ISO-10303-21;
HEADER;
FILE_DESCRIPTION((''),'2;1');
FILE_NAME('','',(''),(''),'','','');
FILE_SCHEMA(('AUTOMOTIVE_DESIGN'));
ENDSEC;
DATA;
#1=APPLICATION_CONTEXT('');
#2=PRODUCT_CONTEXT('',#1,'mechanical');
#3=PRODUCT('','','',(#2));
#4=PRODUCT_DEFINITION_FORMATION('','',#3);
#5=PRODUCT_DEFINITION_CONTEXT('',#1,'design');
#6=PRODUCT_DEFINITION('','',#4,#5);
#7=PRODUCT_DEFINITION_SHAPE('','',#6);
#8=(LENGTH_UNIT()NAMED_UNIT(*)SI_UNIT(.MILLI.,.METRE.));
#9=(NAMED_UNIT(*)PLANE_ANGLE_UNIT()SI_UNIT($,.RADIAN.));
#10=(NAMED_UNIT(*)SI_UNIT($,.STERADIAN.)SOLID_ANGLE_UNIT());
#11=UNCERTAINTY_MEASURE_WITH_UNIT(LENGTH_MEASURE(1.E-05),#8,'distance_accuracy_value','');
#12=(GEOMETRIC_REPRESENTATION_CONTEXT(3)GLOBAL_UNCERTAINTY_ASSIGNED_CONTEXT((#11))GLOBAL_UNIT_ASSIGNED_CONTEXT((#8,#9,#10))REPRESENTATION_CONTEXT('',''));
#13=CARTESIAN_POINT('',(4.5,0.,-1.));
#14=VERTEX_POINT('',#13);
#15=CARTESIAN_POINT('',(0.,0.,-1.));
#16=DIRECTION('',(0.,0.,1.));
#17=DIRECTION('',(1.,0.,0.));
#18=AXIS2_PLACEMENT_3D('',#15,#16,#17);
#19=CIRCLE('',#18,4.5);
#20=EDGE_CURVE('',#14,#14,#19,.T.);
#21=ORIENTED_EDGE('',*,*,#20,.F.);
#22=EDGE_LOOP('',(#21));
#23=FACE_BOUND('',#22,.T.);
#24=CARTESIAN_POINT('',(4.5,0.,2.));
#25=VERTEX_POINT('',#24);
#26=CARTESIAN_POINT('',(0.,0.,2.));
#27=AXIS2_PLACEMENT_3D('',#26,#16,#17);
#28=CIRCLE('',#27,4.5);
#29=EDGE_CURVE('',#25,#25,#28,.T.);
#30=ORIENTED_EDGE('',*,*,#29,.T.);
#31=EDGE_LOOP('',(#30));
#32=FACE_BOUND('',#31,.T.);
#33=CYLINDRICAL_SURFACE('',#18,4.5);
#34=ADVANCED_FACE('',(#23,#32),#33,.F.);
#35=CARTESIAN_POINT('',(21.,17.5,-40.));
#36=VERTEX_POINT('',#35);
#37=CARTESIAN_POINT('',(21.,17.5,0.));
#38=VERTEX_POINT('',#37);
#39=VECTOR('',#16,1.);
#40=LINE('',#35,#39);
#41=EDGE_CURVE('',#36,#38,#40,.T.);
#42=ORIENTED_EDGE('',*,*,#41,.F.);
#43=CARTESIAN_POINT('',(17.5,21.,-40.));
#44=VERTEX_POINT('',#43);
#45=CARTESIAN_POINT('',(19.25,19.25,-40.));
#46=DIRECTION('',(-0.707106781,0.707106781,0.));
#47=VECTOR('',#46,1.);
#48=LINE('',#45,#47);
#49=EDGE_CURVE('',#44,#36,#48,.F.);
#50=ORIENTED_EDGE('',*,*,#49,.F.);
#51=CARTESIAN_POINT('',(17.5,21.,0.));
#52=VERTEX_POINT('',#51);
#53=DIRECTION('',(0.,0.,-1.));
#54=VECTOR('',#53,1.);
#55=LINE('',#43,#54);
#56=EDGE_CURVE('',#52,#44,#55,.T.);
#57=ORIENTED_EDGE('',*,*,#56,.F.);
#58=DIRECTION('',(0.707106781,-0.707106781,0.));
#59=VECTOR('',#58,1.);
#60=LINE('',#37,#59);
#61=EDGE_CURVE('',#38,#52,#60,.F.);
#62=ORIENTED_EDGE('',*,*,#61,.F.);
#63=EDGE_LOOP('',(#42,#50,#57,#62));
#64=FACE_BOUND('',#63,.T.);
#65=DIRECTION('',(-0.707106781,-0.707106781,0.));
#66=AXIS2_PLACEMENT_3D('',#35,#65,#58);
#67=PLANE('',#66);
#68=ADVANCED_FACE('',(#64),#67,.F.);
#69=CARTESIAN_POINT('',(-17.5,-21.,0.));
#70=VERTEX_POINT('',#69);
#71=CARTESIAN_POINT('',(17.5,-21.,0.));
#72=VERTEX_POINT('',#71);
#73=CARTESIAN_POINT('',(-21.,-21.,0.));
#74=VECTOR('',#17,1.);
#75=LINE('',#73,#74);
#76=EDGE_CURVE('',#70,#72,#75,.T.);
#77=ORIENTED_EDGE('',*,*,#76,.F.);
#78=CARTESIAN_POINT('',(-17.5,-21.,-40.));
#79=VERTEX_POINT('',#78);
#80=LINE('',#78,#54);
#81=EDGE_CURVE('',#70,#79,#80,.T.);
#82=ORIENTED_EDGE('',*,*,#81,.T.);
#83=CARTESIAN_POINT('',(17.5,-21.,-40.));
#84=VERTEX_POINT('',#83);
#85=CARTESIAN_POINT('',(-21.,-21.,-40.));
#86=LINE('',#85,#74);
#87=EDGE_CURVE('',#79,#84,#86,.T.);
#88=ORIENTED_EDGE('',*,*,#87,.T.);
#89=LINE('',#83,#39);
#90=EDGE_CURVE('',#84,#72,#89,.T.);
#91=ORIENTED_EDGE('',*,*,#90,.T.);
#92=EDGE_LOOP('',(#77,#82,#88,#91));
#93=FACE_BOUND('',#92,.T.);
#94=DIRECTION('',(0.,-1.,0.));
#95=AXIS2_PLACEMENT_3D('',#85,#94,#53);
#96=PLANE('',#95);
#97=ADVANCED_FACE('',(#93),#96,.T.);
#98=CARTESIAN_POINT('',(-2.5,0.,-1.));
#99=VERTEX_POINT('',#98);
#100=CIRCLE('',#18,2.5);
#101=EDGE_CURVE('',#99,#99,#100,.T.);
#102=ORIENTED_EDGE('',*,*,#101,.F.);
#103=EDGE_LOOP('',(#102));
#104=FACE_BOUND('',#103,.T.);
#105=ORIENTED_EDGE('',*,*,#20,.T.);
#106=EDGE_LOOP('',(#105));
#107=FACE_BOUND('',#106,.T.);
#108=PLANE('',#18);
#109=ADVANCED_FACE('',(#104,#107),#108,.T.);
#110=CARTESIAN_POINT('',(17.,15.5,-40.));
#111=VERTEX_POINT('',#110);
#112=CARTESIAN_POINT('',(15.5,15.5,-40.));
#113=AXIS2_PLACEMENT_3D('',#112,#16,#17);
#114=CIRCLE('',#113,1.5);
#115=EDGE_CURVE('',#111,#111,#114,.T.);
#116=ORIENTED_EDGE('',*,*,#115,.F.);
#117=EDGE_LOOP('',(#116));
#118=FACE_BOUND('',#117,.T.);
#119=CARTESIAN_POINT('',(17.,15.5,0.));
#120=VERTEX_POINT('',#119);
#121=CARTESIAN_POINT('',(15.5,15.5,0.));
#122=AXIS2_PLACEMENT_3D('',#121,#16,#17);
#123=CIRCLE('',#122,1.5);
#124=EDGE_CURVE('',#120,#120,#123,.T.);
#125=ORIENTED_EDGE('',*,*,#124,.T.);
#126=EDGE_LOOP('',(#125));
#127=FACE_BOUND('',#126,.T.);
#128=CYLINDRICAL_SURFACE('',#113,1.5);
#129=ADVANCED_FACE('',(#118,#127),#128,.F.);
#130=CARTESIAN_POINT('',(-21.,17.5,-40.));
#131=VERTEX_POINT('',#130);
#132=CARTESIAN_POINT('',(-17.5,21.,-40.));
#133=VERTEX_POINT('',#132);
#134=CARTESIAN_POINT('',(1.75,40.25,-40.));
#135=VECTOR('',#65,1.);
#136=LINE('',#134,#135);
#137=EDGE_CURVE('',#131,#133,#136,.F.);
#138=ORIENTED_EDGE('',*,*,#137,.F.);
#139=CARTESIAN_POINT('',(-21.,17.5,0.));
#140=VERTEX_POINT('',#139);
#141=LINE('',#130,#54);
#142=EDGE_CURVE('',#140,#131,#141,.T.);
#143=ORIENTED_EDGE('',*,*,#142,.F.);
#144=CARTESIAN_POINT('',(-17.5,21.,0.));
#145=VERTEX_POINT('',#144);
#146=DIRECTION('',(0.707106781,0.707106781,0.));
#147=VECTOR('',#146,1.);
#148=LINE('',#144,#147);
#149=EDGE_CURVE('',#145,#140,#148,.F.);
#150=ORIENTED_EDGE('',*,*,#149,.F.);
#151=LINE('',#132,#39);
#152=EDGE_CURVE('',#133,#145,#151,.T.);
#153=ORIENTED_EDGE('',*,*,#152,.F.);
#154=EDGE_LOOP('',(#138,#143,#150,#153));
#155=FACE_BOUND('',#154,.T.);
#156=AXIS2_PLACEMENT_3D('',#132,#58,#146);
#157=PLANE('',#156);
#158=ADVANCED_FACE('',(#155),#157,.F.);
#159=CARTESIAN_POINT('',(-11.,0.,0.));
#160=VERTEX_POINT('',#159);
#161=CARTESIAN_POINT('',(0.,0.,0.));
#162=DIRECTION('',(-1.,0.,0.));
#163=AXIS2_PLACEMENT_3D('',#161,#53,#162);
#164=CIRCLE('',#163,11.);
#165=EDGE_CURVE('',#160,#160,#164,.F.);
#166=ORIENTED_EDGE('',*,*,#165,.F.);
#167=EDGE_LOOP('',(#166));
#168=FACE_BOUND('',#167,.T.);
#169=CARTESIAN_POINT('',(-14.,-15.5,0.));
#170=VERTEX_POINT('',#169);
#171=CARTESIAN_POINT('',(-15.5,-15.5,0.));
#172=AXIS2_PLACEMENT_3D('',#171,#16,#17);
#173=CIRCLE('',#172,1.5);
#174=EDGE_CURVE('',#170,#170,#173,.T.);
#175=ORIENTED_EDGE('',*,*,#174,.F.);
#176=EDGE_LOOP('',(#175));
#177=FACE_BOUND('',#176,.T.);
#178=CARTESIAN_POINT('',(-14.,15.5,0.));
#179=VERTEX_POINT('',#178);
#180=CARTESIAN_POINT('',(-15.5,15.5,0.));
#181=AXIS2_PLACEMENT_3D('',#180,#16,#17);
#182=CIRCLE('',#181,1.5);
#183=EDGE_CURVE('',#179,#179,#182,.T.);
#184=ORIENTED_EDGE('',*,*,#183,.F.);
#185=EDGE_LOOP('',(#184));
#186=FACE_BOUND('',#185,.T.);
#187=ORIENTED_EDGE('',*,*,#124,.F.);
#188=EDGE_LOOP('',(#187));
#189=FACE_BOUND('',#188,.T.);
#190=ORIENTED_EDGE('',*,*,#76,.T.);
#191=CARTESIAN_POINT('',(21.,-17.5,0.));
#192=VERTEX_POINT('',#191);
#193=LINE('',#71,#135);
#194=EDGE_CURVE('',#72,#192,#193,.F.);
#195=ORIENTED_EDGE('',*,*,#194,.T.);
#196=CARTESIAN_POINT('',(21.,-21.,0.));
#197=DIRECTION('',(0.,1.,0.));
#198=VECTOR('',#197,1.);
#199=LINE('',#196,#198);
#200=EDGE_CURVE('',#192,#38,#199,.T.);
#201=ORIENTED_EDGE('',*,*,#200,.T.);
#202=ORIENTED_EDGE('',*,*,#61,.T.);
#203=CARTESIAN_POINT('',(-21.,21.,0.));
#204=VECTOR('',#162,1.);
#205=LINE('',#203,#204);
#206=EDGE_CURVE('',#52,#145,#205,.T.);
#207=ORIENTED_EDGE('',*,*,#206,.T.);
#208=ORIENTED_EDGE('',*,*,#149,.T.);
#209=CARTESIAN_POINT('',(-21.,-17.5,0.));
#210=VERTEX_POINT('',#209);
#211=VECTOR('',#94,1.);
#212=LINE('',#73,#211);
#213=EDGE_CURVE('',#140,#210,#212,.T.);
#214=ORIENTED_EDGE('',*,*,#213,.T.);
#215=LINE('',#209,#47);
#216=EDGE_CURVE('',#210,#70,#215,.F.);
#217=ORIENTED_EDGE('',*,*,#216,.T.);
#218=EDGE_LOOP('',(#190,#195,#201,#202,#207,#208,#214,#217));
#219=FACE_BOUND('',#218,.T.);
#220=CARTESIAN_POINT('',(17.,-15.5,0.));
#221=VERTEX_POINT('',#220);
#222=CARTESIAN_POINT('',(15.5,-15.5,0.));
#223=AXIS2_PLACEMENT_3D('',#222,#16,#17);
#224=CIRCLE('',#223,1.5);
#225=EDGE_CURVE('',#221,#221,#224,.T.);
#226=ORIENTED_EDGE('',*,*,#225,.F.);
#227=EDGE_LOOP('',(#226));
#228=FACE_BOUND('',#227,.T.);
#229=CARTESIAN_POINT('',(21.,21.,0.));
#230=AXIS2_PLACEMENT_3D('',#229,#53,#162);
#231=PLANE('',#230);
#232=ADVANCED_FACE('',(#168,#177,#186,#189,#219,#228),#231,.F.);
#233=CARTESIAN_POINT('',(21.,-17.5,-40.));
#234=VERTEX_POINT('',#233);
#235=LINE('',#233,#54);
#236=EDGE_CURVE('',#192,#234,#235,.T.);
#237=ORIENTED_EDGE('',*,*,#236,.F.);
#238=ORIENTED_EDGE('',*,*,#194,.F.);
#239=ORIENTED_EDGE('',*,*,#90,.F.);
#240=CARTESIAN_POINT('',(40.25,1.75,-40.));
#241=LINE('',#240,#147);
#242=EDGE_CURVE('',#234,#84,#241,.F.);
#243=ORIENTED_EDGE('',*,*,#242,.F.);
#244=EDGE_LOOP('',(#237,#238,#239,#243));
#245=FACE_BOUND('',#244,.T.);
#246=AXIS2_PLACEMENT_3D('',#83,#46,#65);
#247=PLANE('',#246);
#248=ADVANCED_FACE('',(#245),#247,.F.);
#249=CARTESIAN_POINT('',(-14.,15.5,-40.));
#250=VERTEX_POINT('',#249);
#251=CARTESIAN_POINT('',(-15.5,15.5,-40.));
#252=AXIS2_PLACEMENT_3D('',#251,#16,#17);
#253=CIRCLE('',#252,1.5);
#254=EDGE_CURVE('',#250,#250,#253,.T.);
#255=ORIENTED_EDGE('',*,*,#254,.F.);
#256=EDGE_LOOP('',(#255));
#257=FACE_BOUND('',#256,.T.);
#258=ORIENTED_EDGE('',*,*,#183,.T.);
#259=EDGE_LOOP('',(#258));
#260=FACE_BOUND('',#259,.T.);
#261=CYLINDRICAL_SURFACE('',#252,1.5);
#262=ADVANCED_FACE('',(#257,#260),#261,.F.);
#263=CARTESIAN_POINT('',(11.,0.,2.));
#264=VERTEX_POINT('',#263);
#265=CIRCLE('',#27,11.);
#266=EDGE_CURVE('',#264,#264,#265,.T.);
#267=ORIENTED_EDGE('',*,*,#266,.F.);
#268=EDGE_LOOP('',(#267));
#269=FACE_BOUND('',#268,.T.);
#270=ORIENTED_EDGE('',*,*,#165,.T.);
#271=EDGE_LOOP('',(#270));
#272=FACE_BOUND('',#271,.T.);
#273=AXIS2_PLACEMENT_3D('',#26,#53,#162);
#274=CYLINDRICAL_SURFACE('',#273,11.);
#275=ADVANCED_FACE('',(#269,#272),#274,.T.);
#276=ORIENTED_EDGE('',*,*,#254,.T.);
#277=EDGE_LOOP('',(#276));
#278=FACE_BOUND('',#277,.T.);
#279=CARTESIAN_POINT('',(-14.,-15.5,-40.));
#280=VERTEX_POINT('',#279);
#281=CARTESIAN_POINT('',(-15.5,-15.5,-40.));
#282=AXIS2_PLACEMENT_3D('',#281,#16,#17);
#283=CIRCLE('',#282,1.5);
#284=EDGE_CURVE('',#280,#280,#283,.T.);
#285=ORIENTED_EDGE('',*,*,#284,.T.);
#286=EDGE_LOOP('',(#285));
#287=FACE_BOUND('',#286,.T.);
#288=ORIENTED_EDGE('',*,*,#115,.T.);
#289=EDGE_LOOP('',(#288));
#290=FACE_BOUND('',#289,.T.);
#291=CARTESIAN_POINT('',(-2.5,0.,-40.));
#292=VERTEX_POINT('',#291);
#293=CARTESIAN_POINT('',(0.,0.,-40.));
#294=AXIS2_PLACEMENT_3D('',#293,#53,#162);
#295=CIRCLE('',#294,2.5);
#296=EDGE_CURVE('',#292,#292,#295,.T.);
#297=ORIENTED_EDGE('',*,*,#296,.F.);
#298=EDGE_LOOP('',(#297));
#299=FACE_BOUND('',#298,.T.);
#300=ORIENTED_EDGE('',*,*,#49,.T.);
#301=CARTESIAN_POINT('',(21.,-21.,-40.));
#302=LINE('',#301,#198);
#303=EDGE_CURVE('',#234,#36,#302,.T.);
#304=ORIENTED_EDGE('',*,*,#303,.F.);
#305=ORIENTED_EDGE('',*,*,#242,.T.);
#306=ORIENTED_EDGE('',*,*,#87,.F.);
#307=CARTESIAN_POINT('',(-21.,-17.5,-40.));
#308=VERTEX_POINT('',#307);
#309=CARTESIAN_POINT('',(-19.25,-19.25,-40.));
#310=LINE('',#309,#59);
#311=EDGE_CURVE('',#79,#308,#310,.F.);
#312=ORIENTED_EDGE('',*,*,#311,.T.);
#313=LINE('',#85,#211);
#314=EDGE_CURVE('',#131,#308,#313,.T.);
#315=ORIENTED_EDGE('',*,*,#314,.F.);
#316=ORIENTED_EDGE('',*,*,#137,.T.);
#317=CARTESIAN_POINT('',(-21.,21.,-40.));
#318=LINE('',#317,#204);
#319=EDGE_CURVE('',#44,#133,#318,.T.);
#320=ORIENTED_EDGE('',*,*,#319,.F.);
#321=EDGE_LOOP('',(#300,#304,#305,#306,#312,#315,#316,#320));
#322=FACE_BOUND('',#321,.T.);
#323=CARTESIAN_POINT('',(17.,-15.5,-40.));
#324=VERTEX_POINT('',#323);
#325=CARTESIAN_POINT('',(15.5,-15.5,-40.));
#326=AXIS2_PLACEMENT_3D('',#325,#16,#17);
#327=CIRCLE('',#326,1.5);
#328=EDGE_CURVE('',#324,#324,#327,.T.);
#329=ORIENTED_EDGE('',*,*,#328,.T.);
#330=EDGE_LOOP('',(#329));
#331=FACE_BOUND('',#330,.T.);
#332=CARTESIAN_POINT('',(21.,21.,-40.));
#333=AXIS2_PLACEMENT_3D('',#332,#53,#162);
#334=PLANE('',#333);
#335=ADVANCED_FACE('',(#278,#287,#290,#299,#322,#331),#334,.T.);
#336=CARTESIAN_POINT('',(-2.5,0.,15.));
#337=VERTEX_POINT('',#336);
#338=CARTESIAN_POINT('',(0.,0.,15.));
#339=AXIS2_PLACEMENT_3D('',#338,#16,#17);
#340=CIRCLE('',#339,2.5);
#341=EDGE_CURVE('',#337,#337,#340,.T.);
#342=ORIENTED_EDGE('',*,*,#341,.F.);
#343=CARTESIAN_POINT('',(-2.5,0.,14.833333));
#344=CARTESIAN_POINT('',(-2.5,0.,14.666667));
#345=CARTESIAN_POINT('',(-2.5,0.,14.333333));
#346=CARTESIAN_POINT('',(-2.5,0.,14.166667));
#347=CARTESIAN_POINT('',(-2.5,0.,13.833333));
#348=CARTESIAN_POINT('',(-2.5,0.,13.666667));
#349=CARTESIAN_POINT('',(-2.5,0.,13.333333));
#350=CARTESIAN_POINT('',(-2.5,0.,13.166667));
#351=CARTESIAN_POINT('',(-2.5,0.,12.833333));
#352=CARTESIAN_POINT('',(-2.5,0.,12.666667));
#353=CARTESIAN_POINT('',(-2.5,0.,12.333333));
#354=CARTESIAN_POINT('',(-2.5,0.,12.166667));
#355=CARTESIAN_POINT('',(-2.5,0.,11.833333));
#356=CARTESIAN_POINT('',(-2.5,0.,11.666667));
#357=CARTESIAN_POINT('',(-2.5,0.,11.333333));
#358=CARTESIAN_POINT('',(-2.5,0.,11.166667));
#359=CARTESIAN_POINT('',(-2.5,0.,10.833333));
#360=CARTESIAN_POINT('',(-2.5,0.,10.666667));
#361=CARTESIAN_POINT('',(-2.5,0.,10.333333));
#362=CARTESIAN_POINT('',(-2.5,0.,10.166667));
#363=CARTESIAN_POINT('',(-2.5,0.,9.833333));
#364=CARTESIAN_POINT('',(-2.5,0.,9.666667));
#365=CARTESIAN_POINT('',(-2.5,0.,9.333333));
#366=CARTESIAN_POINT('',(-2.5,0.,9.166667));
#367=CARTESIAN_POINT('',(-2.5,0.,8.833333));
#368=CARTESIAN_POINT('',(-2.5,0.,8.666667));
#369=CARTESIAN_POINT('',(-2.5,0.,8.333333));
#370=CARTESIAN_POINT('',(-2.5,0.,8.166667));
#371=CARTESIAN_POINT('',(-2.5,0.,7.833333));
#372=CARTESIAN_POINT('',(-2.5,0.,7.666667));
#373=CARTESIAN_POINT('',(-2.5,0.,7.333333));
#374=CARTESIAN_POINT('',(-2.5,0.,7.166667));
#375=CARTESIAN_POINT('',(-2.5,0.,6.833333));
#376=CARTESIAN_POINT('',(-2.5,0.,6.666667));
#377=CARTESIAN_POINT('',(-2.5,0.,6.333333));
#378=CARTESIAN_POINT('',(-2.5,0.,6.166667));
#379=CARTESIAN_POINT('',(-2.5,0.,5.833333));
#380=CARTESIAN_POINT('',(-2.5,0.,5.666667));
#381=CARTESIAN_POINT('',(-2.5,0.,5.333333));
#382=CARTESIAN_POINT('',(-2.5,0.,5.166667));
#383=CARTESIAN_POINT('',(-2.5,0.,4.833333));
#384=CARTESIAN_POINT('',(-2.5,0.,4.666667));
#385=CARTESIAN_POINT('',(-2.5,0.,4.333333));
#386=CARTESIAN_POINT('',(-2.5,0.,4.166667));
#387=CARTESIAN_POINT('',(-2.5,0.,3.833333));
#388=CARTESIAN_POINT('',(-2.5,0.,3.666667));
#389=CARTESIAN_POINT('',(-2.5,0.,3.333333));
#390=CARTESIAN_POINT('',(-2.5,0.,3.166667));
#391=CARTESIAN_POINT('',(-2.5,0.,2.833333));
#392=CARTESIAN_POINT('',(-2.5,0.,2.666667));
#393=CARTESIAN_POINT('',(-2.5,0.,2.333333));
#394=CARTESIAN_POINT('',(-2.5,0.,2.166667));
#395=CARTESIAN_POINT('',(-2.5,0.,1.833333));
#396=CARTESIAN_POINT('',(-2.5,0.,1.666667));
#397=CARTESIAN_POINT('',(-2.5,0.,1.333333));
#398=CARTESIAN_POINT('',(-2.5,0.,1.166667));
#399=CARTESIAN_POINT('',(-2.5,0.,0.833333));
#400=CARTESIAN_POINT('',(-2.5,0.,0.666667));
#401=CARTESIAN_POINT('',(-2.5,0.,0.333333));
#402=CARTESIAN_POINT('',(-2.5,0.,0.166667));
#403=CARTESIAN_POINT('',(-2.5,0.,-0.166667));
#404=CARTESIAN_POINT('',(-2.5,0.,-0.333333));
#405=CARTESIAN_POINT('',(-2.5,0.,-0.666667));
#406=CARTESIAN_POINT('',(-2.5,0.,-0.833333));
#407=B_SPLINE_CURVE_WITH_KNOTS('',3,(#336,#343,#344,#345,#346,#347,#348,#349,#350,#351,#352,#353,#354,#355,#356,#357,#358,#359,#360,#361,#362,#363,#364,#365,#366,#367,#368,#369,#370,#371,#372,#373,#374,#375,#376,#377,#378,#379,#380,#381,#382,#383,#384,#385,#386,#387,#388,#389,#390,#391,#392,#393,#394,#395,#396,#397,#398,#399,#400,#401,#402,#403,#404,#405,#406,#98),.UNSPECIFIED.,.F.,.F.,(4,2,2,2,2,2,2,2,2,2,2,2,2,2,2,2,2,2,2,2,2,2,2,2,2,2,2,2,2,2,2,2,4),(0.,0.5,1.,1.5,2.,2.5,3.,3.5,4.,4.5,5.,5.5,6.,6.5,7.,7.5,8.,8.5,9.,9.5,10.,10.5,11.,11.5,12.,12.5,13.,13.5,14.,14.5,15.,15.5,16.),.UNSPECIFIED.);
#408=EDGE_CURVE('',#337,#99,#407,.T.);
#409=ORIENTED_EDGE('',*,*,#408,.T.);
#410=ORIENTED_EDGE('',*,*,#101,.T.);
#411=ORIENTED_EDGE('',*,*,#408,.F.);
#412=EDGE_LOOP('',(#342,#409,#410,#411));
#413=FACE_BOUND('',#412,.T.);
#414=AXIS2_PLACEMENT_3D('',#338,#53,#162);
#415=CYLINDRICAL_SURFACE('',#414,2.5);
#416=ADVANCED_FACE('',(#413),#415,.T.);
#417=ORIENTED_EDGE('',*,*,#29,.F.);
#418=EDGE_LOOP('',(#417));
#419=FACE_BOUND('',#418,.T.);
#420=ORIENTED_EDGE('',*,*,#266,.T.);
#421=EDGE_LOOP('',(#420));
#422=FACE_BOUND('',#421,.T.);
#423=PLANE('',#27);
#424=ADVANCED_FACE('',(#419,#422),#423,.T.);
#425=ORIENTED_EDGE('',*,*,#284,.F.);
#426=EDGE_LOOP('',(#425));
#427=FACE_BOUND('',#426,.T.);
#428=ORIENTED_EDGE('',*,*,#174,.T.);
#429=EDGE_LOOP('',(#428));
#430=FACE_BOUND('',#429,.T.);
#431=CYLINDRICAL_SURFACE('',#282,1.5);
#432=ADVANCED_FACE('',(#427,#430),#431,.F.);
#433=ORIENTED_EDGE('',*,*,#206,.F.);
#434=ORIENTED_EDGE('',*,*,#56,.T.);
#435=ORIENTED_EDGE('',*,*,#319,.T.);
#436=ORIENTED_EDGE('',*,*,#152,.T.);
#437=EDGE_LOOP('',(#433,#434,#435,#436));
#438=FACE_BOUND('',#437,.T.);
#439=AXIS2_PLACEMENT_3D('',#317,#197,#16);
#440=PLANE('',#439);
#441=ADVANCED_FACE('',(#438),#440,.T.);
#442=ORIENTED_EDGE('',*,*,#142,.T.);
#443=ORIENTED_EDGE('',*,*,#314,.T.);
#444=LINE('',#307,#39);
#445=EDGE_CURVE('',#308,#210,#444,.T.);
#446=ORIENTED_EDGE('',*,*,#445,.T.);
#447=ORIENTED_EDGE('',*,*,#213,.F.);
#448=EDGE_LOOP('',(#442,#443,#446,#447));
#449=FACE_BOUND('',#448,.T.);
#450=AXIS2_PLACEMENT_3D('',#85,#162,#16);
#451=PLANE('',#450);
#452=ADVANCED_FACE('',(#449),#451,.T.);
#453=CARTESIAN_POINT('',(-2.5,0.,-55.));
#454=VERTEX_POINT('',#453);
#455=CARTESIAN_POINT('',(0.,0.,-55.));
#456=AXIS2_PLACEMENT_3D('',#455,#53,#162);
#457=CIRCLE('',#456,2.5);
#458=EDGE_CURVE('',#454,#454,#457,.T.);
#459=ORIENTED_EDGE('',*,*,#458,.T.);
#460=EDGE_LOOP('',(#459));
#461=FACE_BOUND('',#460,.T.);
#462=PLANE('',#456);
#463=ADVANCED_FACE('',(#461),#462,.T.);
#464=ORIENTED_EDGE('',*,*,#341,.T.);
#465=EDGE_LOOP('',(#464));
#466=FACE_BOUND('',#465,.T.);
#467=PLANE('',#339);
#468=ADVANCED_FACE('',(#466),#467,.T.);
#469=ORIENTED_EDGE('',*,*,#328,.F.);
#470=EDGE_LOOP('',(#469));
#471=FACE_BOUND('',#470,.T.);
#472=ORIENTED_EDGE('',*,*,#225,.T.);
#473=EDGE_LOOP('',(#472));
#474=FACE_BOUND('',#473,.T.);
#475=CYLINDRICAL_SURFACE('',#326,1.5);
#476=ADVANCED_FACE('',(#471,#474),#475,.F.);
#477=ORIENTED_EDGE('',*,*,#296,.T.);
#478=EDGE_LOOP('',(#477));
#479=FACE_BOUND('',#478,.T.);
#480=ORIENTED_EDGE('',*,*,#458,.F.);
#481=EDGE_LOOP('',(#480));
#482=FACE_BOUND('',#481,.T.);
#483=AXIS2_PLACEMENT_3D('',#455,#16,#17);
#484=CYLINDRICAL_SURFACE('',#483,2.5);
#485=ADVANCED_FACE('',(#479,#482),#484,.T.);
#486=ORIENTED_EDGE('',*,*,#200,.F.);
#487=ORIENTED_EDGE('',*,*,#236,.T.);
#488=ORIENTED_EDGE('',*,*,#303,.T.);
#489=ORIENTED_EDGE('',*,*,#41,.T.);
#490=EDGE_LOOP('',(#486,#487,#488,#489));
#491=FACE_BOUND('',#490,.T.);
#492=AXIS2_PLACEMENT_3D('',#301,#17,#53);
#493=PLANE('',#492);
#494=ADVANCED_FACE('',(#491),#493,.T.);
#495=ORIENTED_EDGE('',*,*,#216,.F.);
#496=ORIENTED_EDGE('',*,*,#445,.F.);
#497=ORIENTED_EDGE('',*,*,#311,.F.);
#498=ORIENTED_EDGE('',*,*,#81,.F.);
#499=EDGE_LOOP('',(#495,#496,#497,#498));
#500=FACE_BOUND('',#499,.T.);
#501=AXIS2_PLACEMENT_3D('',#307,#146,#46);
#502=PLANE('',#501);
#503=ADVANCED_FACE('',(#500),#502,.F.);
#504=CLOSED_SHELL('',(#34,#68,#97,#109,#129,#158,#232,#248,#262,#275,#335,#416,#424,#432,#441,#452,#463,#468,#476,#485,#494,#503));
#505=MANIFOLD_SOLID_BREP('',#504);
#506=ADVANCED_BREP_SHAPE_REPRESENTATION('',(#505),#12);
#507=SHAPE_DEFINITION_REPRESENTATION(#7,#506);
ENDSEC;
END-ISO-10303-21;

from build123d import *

# Parameters (mm, degrees)
SKETCH1_W           = 42
SKETCH1_H           = 42
BOSS_EXTRUDE1_DEPTH = 40
CHAMFER1_SIZE       = 3.5
SKETCH2_R           = 11
BOSS_EXTRUDE2_DEPTH = 2
SKETCH3_R           = 1.5
CUT_EXTRUDE1_DEPTH  = 50.819674828
SKETCH4_R           = 2.5
BOSS_EXTRUDE3_DEPTH = 13
BOSS_EXTRUDE4_START = 15
SKETCH5_R           = 2.5
BOSS_EXTRUDE4_DEPTH = 15
CUT_EXTRUDE2_START  = -3
SKETCH8_R           = 4.5
SKETCH8_R_2         = 2.5
CUT_EXTRUDE2_DEPTH  = 3


with BuildPart() as part:
    # Sketch1 → Boss-Extrude1 (new body)
    with BuildSketch(Plane.XY):
        Rectangle(SKETCH1_W, SKETCH1_H)
    extrude(amount=-BOSS_EXTRUDE1_DEPTH)

    # Chamfer1
    chamfer1_edges = [part.edges().sort_by_distance(p)[0] for p in [
        (21, -21, -20),
        (-21, -21, -20),
        (-21, 21, -20),
        (21, 21, -20),
    ]]
    chamfer(chamfer1_edges, length=CHAMFER1_SIZE)

    # Sketch2 → Boss-Extrude2 (add)
    with BuildSketch(Plane.XY):
        with Locations(Location((0, 0, 0), (0, 0, 180))):
            Circle(SKETCH2_R)
    extrude(amount=BOSS_EXTRUDE2_DEPTH)

    # Sketch3 → Cut-Extrude1 (cut, through all)
    with BuildSketch(Plane.XY):
        with Locations((15.5, 15.5)):
            Circle(SKETCH3_R)
        with Locations((-15.5, 15.5)):
            Circle(SKETCH3_R)
        with Locations((-15.5, -15.5)):
            Circle(SKETCH3_R)
        with Locations((15.5, -15.5)):
            Circle(SKETCH3_R)
    extrude(amount=-CUT_EXTRUDE1_DEPTH, mode=Mode.SUBTRACT)

    # Sketch4 → Boss-Extrude3 (add)
    with BuildSketch(Plane.XY.offset(2)):
        with Locations(Location((0, 0, 0), (0, 0, 180))):
            Circle(SKETCH4_R)
    extrude(amount=BOSS_EXTRUDE3_DEPTH)

    # Sketch5 → Boss-Extrude4 (add)
    with BuildSketch(Plane(origin=(0, 0, -40), x_dir=(-1, 0, 0), z_dir=(0, 0, -1)).offset(BOSS_EXTRUDE4_START)):
        Circle(SKETCH5_R)
    extrude(amount=-BOSS_EXTRUDE4_DEPTH)

    # Sketch8 → Cut-Extrude2 (cut)
    with BuildSketch(Plane.XY.offset(2).offset(CUT_EXTRUDE2_START)):
        Circle(SKETCH8_R)
        with Locations(Location((0, 0, 0), (0, 0, 180))):
            Circle(SKETCH8_R_2, mode=Mode.SUBTRACT)
    extrude(amount=CUT_EXTRUDE2_DEPTH, mode=Mode.SUBTRACT)


solid = part.part
